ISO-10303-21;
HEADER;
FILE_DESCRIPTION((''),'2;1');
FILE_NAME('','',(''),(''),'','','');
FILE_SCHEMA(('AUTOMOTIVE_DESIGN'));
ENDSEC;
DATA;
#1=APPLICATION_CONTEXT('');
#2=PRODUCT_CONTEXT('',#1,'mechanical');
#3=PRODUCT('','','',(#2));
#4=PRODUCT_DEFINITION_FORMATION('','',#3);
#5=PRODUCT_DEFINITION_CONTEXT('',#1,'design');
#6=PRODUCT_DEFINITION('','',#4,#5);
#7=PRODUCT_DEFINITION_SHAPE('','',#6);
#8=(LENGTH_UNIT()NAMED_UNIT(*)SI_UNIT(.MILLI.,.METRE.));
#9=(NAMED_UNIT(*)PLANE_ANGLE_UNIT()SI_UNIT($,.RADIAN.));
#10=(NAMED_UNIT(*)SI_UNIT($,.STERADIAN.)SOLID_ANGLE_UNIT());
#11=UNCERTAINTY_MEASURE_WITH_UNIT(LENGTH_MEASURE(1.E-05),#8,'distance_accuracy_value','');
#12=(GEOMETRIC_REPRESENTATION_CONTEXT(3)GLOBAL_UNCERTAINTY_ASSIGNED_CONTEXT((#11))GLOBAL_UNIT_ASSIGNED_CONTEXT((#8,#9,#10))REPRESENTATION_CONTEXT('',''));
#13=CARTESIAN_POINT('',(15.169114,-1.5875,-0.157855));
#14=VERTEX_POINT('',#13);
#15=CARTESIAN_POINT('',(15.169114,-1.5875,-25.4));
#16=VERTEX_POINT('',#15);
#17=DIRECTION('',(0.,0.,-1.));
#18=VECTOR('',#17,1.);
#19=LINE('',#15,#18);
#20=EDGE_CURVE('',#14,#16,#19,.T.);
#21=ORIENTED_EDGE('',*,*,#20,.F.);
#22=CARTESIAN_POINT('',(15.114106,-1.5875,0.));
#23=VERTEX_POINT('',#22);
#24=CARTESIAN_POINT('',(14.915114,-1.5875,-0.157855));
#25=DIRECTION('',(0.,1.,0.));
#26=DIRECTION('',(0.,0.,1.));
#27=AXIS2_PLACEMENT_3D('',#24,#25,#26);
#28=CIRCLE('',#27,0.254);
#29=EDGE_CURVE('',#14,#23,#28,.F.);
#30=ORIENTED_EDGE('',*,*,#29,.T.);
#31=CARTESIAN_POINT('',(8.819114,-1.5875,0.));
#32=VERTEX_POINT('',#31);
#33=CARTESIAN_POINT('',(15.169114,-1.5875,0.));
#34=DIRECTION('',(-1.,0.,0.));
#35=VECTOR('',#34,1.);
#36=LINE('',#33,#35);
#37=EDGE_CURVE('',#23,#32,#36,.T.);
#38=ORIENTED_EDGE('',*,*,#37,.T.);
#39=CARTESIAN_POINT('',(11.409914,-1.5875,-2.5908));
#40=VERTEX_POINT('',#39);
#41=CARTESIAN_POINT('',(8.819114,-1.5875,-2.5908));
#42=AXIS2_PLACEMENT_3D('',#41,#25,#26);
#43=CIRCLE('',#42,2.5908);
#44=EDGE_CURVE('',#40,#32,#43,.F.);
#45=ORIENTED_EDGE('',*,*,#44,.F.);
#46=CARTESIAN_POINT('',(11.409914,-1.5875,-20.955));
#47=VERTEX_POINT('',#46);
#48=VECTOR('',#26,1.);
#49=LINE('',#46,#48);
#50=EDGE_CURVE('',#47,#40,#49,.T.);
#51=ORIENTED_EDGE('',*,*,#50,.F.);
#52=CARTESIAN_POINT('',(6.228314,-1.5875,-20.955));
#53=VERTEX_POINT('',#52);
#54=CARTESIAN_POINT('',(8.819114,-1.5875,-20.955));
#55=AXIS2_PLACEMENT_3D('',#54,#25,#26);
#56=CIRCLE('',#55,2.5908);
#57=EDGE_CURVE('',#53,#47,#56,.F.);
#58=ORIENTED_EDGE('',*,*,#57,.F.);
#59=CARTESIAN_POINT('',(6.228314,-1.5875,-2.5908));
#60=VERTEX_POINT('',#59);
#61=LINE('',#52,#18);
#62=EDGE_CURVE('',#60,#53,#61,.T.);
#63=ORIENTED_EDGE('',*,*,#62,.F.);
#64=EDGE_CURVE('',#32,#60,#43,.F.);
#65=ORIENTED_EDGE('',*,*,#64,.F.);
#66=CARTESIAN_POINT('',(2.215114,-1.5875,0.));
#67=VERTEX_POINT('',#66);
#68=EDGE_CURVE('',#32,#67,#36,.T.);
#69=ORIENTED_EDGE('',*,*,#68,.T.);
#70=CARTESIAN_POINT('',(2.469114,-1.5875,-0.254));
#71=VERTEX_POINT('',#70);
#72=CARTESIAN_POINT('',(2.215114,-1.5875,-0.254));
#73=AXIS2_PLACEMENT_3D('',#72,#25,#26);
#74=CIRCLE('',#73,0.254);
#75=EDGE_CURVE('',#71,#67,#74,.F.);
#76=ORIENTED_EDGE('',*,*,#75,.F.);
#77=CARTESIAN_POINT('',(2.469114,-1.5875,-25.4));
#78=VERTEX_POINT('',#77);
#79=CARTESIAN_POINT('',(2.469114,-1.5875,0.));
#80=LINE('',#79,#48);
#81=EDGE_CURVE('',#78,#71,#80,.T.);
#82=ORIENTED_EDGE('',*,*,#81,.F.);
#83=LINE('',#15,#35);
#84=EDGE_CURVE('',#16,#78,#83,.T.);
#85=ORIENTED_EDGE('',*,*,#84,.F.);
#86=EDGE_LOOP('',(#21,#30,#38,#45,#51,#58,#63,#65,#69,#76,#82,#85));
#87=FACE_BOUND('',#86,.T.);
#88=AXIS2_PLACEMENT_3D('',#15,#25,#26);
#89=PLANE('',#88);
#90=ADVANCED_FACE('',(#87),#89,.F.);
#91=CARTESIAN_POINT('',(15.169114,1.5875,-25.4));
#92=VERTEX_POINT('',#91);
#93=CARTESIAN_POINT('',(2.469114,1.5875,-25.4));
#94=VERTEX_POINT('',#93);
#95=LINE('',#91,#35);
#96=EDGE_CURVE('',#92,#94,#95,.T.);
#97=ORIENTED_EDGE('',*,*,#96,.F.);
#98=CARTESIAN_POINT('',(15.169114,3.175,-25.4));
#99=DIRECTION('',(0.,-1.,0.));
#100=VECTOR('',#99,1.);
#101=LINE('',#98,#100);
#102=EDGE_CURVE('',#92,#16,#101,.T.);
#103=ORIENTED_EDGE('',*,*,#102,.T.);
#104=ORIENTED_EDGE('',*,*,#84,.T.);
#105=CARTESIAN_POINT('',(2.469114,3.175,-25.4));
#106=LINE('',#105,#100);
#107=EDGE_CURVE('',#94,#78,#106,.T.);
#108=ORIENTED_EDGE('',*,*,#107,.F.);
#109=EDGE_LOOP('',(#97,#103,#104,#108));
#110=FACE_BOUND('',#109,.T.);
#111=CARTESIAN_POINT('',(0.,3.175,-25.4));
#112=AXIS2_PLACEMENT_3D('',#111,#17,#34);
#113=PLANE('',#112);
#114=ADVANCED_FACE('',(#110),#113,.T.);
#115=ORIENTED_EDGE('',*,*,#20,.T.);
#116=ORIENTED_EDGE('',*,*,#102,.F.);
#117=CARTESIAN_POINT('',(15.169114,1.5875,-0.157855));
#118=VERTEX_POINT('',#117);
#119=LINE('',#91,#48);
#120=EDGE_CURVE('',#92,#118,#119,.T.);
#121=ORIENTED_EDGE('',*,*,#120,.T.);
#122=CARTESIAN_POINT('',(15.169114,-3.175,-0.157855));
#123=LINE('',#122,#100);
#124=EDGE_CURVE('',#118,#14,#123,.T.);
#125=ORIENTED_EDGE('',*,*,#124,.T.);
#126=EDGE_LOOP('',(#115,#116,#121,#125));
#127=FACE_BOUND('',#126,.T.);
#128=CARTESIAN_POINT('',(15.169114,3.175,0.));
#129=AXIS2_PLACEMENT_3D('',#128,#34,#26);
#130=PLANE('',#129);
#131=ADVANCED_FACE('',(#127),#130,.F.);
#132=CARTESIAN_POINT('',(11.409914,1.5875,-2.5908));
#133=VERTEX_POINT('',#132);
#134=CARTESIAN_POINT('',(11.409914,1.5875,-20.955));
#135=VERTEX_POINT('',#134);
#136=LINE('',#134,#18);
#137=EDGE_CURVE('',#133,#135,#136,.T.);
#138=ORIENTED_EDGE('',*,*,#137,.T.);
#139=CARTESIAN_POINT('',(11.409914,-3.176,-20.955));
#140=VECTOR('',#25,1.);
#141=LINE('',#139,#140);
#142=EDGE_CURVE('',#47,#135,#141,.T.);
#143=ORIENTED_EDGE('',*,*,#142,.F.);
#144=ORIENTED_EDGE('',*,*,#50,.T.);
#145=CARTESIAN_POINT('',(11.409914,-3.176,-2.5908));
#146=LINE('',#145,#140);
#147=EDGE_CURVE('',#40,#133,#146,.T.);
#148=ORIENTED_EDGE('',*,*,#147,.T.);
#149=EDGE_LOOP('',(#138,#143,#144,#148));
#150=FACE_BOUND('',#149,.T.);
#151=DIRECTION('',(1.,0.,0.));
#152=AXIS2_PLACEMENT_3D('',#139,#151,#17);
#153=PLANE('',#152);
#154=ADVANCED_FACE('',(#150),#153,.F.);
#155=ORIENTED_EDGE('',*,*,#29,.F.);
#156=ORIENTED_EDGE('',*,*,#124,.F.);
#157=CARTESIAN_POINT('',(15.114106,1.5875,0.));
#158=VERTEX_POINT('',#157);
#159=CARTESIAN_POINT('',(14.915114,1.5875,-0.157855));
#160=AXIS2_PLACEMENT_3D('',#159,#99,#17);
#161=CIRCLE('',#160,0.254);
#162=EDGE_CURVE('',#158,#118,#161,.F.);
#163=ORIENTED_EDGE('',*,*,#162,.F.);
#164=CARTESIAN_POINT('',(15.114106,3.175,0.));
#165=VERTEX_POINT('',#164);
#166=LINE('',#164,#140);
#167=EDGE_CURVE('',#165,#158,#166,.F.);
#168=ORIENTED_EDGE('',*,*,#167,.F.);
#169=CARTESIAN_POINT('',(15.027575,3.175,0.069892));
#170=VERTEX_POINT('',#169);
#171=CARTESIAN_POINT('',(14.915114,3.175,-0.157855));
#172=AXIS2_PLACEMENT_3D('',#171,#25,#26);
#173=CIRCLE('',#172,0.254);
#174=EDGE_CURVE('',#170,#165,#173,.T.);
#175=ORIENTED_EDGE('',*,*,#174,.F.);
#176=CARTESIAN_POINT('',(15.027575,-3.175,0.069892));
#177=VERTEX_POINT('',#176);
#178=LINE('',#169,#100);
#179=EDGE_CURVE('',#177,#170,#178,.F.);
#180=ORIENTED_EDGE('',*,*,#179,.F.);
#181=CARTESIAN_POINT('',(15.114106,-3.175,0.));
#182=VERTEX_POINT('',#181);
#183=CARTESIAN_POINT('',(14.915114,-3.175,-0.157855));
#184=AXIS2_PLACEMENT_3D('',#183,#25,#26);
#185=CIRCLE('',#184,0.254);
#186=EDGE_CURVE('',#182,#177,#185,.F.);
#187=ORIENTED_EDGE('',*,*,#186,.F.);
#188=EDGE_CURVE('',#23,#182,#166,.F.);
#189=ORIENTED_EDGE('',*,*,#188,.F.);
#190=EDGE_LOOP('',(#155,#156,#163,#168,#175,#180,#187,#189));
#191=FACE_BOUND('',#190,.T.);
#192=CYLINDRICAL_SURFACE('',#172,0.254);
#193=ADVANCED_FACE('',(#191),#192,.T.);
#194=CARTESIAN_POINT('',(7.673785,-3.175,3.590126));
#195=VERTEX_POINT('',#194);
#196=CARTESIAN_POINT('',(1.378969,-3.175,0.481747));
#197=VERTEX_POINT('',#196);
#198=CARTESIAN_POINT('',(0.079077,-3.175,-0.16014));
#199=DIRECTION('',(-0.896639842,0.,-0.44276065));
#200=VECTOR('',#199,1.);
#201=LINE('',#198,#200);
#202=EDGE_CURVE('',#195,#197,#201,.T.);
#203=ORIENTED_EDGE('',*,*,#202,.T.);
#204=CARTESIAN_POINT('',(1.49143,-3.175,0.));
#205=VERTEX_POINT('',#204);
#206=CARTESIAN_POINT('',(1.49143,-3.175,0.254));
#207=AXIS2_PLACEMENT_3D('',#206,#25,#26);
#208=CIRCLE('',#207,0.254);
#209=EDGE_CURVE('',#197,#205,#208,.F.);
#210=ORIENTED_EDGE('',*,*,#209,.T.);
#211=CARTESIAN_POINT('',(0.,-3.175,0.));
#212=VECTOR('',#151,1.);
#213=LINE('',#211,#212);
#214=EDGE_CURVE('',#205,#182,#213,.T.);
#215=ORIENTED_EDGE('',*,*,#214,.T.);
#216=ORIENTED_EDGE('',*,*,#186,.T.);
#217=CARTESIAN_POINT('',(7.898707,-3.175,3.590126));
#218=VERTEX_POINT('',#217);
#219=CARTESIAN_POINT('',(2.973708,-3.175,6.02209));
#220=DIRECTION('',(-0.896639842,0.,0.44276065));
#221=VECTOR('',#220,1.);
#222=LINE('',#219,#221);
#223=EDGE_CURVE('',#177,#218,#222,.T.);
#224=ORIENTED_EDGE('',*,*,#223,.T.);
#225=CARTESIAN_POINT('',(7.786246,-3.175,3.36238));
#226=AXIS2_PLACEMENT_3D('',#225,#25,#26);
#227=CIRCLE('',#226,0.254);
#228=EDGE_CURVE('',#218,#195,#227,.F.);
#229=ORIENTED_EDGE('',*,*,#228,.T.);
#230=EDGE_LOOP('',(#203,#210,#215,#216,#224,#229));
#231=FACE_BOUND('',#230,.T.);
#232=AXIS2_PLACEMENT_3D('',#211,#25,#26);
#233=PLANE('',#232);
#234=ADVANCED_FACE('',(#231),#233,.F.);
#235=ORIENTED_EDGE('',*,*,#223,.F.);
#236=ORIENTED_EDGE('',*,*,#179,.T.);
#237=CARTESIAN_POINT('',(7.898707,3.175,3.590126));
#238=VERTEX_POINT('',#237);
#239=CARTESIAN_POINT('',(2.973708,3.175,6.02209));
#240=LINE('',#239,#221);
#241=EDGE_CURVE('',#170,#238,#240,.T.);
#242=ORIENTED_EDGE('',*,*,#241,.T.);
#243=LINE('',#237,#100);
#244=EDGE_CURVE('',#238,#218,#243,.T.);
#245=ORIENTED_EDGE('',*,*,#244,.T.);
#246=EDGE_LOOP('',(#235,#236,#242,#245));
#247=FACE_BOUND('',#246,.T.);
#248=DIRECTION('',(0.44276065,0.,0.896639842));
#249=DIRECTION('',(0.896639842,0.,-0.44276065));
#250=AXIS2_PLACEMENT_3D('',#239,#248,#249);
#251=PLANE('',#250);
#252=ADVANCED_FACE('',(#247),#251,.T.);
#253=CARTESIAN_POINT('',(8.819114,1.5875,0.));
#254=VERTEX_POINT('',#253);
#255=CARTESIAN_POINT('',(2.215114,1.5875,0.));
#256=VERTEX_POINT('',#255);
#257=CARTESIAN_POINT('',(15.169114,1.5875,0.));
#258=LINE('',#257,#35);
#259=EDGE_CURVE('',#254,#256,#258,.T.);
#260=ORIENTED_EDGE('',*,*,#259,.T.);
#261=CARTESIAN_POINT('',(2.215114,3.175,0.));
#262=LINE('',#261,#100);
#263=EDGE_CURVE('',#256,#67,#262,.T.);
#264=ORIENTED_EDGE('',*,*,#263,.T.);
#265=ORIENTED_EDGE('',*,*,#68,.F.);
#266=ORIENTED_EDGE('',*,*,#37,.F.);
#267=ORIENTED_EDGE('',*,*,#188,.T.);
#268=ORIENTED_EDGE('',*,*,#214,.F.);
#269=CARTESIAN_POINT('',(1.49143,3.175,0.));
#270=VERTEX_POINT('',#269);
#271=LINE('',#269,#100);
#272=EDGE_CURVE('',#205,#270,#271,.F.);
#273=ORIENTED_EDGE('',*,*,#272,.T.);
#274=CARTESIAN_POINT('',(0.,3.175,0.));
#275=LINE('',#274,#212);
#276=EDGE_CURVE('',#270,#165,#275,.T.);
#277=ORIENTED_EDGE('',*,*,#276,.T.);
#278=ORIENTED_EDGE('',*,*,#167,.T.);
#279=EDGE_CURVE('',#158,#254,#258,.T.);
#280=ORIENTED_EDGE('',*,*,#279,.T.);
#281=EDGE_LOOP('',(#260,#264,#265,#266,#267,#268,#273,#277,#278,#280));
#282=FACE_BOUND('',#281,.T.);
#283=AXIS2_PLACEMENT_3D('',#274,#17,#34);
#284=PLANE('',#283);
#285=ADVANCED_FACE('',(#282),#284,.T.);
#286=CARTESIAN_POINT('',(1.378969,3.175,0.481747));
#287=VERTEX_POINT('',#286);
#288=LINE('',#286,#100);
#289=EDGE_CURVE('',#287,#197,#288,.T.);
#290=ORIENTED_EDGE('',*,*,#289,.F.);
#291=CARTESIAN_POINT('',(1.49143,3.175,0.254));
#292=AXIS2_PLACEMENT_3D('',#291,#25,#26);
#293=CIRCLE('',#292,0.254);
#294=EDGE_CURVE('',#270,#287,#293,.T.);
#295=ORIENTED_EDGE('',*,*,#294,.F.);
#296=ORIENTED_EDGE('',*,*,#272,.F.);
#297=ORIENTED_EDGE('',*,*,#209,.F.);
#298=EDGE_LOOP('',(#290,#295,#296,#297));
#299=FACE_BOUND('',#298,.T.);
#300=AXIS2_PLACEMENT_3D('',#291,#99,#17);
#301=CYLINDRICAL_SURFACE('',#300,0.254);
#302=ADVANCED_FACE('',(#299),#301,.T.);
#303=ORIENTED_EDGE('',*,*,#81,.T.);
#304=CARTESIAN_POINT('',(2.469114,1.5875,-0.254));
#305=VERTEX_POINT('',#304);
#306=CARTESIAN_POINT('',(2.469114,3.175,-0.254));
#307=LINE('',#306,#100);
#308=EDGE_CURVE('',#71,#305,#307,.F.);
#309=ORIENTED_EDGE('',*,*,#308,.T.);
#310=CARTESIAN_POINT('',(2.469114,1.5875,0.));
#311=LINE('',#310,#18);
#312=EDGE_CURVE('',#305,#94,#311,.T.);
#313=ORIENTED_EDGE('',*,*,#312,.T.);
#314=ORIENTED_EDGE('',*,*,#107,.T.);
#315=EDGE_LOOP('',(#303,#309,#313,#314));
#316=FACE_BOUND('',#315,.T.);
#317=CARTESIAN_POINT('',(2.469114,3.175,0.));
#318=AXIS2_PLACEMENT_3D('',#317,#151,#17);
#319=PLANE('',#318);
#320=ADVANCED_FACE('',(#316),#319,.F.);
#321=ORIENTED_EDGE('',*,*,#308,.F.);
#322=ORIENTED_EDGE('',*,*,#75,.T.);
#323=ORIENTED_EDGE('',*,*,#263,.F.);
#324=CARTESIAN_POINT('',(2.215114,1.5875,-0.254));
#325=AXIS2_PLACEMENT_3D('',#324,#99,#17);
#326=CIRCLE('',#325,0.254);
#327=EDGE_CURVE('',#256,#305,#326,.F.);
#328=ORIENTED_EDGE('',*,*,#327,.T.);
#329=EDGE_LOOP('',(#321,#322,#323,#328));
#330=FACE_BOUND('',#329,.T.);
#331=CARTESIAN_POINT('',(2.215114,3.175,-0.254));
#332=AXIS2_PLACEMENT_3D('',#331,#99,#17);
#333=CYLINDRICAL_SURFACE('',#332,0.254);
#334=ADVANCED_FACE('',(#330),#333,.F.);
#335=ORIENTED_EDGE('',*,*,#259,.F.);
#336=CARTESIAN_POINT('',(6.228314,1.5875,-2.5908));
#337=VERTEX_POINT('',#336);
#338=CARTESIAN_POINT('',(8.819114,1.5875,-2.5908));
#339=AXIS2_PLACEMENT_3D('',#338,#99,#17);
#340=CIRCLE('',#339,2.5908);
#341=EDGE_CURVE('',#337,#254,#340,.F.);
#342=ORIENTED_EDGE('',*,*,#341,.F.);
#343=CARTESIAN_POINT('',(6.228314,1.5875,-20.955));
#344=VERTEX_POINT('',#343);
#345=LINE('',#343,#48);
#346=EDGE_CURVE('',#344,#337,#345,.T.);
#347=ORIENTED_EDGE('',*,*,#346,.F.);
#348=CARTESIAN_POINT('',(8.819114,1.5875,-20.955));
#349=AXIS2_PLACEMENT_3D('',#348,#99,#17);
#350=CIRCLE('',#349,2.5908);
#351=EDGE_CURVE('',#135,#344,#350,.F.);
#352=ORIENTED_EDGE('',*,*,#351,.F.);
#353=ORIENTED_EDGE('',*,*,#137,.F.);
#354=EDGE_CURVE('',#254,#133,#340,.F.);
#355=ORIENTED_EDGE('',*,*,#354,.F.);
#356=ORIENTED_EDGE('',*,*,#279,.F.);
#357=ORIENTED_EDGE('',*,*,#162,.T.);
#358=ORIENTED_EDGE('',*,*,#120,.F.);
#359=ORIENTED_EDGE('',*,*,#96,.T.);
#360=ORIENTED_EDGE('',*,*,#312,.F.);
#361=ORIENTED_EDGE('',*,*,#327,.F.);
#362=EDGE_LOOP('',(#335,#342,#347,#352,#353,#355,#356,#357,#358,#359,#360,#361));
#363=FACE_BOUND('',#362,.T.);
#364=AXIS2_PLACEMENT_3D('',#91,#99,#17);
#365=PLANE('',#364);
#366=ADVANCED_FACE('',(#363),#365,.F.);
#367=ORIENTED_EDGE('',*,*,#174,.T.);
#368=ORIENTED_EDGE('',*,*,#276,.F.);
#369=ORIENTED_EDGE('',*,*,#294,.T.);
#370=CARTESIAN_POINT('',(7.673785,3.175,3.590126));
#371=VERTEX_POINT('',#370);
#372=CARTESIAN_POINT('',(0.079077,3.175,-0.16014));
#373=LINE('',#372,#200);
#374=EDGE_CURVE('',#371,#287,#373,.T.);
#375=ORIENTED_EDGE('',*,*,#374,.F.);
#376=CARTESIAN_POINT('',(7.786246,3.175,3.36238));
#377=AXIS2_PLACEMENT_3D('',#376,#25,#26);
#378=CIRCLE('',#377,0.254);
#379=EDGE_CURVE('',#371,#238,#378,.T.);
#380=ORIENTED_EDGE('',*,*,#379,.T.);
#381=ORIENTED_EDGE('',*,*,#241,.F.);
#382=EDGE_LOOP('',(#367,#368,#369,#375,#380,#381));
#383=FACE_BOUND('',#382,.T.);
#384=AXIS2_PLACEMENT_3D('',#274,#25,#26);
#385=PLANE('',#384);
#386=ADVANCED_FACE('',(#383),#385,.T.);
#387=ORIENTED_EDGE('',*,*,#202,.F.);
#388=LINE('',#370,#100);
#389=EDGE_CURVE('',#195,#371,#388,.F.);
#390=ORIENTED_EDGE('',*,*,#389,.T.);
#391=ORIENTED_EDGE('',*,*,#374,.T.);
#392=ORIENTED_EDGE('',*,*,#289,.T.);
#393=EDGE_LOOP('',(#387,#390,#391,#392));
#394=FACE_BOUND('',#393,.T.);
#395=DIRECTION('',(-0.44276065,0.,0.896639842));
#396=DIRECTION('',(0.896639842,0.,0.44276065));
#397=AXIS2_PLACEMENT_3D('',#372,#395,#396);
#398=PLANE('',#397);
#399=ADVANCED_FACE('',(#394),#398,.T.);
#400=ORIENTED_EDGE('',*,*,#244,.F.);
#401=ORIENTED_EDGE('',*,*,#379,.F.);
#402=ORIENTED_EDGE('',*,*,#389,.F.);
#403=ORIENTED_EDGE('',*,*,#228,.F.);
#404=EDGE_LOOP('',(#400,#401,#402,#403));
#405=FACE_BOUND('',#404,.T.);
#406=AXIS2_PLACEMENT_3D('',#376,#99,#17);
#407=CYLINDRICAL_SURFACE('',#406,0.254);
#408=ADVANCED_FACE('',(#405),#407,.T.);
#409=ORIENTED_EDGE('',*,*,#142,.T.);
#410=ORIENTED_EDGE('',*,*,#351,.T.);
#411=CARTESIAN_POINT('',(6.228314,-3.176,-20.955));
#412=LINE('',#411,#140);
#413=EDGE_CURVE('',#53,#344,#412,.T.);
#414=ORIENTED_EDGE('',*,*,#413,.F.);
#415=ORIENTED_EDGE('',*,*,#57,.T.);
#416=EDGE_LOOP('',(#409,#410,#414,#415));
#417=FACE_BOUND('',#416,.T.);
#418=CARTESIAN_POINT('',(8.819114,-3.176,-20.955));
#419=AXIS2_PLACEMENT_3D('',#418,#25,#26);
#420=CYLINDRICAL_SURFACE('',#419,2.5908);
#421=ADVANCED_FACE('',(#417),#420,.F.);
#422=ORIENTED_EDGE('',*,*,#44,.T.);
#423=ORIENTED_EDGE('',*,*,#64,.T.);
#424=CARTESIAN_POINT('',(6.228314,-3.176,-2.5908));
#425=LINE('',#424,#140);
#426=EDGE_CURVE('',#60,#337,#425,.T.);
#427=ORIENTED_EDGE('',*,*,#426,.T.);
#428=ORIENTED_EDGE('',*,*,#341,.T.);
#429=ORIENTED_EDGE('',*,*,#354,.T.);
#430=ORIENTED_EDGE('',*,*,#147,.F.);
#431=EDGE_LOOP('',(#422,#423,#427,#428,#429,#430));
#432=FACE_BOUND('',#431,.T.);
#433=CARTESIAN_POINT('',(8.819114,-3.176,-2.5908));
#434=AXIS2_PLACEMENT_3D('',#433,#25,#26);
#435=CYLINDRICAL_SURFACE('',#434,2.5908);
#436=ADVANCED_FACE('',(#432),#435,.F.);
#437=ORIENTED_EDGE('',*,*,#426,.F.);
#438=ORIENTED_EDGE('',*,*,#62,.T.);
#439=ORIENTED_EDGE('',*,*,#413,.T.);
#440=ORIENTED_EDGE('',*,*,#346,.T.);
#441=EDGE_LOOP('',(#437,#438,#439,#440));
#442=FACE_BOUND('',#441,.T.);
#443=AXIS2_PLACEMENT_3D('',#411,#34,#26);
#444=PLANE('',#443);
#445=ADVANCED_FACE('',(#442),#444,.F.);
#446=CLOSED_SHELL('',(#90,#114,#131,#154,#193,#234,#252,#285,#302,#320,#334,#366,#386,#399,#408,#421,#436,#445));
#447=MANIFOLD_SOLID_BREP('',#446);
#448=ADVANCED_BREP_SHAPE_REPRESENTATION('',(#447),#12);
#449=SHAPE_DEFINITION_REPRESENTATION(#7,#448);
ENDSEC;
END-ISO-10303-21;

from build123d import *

# Parameters (mm, degrees)
BOSS_EXTRUDE1_DEPTH     = 3.175
FILLET1_R               = 0.254
CUT_EXTRUDE1_REACH      = 32.259
CUT_EXTRUDE2_DEPTH      = 29.575
CUT_EXTRUDE2_DEPTH_BACK = 29.575
SKETCH6_W               = 25.4
SKETCH6_H               = 1.5875


with BuildPart() as part:
    # Sketch1 → Boss-Extrude1 (new, symmetric)
    with BuildSketch(Plane(origin=(0, 0, 0), x_dir=(1, 0, 0), z_dir=(0, 1, 0))):
        Polygon((15.169114158, 0), (7.786246133, -3.645659373), (0.403378108, 0), (2.469114158, 0), (2.469114158, 25.4), (15.169114158, 25.4), align=None)
    extrude(amount=BOSS_EXTRUDE1_DEPTH, both=True)

    # Fillet1
    fillet1_edges = [part.edges().sort_by_distance(p)[0] for p in [
        (2.469114158, 0, 0),
        (15.169114158, 0, 0),
        (7.786246133, 0, 3.645659373),
        (0.403378108, 0, 0),
    ]]
    fillet(fillet1_edges, radius=FILLET1_R)

    # Sketch5 → Cut-Extrude1 (cut, up to next)
    with BuildSketch(Plane(origin=(0, 3.175, 0), x_dir=(1, 0, 0), z_dir=(0, 1, 0)), mode=Mode.PRIVATE) as cut_extrude1_sk1:
        with BuildLine():
            Line((11.409914158, 20.955), (11.409914158, 2.5908))
            ThreePointArc((11.409914158, 2.5908), (8.819114158, 0), (6.228314158, 2.5908))
            Line((6.228314158, 2.5908), (6.228314158, 20.955))
            ThreePointArc((6.228314158, 20.955), (8.819114158, 23.5458), (11.409914158, 20.955))
        make_face()
    cut_extrude1_tool1 = extrude(cut_extrude1_sk1.sketch, amount=-CUT_EXTRUDE1_REACH, mode=Mode.PRIVATE) & part.part
    add(cut_extrude1_tool1.solids().sort_by_distance((8.819114, 3.175, -11.7729))[0], mode=Mode.SUBTRACT)

    # Sketch6 → Cut-Extrude2 (cut, two sides: drawn at the far end of the back side and taken through both)
    with BuildSketch(Plane.ZY.offset(-2.469114158).offset(-CUT_EXTRUDE2_DEPTH_BACK)):
        with Locations((-12.7, 2.38125)):
            Rectangle(SKETCH6_W, SKETCH6_H)
        with Locations((-12.7, -2.38125)):
            Rectangle(SKETCH6_W, SKETCH6_H)
    extrude(amount=CUT_EXTRUDE2_DEPTH + CUT_EXTRUDE2_DEPTH_BACK, mode=Mode.SUBTRACT)


solid = part.part
